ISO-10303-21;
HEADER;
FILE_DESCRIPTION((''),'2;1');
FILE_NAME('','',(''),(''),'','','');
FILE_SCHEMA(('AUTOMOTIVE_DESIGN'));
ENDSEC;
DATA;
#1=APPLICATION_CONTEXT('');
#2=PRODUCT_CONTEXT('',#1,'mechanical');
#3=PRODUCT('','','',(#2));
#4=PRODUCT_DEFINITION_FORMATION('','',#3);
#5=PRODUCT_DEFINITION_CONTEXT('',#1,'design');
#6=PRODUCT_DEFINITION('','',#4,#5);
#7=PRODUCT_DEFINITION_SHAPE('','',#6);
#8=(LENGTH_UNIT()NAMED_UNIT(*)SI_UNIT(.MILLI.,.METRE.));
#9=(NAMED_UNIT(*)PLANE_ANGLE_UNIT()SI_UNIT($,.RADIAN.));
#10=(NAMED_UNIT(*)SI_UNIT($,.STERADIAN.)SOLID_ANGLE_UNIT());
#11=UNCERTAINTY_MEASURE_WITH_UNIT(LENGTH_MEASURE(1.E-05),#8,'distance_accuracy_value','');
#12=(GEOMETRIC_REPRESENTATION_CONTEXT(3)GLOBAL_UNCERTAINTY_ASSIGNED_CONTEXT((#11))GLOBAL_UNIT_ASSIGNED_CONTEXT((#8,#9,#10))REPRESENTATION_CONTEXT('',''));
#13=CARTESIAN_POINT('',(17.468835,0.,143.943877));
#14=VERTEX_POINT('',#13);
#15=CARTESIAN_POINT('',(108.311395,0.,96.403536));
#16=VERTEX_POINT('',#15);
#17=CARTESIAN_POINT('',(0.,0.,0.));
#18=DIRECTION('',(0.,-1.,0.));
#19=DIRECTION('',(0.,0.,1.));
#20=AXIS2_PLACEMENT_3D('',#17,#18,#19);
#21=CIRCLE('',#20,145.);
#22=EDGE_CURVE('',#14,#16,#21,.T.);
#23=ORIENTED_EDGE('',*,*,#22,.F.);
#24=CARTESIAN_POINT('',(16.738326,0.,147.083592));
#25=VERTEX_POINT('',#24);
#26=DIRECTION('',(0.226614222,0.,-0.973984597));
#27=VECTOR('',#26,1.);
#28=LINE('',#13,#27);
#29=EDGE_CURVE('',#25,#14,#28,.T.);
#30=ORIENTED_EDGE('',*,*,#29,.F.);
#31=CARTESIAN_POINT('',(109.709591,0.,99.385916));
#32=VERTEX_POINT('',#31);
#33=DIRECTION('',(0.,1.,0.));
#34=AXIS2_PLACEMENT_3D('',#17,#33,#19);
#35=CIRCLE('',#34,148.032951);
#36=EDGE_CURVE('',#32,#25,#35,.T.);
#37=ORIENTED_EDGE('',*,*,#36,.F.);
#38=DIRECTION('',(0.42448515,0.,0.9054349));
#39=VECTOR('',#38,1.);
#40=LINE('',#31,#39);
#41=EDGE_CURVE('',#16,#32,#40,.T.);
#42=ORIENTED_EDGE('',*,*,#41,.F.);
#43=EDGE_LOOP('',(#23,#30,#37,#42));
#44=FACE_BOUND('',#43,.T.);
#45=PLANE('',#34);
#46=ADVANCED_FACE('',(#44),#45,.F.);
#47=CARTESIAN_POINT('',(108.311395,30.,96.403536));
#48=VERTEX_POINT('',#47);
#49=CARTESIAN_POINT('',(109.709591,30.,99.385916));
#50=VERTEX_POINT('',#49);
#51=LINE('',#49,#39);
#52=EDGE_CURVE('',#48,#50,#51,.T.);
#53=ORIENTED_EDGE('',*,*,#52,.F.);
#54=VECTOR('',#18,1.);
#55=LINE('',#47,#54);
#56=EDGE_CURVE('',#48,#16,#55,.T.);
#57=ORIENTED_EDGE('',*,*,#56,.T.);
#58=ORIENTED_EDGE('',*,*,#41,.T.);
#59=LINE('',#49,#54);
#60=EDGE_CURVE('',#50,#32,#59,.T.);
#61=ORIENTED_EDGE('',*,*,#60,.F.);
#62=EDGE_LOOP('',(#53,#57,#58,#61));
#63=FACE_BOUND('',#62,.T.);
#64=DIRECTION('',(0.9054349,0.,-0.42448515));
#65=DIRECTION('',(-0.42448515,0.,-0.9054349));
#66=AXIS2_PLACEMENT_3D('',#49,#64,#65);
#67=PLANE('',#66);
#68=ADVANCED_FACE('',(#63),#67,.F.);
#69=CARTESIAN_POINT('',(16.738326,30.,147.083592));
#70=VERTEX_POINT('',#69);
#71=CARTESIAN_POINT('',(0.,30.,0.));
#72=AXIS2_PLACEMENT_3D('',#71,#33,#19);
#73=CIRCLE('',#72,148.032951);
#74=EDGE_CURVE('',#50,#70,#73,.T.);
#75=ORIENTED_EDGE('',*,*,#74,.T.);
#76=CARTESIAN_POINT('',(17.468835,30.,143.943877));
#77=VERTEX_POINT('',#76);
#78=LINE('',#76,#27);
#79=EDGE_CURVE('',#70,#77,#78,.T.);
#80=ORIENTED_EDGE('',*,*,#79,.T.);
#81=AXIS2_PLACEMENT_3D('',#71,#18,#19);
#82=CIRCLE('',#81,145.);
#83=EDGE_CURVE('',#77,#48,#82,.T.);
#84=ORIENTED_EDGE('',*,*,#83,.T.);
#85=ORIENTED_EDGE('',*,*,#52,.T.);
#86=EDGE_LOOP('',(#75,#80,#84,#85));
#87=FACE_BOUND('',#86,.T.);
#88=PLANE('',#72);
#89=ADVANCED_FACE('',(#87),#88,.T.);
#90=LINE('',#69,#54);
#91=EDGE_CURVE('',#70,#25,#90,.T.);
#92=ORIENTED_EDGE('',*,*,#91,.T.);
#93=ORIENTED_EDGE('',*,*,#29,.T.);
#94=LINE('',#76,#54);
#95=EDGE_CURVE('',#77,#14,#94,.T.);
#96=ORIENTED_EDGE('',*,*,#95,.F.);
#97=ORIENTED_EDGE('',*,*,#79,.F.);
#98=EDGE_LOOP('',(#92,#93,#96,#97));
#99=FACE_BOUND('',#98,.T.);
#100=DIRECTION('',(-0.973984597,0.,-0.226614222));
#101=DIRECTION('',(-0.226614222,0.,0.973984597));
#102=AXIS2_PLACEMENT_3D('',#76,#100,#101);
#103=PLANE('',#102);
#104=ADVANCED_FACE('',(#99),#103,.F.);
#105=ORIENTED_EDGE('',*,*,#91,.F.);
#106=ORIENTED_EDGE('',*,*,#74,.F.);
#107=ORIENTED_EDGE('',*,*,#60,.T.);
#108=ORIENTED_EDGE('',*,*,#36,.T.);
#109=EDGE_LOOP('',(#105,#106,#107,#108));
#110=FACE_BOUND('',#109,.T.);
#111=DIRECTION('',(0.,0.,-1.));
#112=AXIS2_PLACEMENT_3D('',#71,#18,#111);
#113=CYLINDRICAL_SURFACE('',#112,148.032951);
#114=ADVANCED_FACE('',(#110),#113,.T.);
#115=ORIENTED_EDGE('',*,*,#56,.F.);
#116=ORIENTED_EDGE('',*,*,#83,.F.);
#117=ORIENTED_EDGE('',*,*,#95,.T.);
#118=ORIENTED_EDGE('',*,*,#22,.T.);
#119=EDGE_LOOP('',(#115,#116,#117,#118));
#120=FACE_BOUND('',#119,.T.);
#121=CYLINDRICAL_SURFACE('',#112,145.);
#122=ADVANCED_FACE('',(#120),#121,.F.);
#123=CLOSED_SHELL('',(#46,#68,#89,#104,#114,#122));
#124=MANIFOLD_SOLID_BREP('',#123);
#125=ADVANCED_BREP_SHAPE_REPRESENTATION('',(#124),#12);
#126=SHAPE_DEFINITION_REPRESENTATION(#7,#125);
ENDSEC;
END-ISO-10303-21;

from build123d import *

# Parameters (mm, degrees)
BOSS_EXTRUDE1_DEPTH = 30


with BuildPart() as part:
    # Sketch1 → Boss-Extrude1 (new body)
    with BuildSketch(Plane(origin=(0, 0, 0), x_dir=(1, 0, 0), z_dir=(0, 1, 0))):
        with BuildLine():
            Line((17.468835001, -143.943877271), (16.738326472, -147.083592192))
            ThreePointArc((16.738326472, -147.083592192), (-67.572450298, 131.710738461), (109.70959104, -99.385916))
            Line((109.70959104, -99.385916), (108.311394553, -96.403536294))
            ThreePointArc((108.311394553, -96.403536294), (-67.232339999, 128.471056889), (17.468835001, -143.943877271))
        make_face()
    extrude(amount=BOSS_EXTRUDE1_DEPTH)


solid = part.part
